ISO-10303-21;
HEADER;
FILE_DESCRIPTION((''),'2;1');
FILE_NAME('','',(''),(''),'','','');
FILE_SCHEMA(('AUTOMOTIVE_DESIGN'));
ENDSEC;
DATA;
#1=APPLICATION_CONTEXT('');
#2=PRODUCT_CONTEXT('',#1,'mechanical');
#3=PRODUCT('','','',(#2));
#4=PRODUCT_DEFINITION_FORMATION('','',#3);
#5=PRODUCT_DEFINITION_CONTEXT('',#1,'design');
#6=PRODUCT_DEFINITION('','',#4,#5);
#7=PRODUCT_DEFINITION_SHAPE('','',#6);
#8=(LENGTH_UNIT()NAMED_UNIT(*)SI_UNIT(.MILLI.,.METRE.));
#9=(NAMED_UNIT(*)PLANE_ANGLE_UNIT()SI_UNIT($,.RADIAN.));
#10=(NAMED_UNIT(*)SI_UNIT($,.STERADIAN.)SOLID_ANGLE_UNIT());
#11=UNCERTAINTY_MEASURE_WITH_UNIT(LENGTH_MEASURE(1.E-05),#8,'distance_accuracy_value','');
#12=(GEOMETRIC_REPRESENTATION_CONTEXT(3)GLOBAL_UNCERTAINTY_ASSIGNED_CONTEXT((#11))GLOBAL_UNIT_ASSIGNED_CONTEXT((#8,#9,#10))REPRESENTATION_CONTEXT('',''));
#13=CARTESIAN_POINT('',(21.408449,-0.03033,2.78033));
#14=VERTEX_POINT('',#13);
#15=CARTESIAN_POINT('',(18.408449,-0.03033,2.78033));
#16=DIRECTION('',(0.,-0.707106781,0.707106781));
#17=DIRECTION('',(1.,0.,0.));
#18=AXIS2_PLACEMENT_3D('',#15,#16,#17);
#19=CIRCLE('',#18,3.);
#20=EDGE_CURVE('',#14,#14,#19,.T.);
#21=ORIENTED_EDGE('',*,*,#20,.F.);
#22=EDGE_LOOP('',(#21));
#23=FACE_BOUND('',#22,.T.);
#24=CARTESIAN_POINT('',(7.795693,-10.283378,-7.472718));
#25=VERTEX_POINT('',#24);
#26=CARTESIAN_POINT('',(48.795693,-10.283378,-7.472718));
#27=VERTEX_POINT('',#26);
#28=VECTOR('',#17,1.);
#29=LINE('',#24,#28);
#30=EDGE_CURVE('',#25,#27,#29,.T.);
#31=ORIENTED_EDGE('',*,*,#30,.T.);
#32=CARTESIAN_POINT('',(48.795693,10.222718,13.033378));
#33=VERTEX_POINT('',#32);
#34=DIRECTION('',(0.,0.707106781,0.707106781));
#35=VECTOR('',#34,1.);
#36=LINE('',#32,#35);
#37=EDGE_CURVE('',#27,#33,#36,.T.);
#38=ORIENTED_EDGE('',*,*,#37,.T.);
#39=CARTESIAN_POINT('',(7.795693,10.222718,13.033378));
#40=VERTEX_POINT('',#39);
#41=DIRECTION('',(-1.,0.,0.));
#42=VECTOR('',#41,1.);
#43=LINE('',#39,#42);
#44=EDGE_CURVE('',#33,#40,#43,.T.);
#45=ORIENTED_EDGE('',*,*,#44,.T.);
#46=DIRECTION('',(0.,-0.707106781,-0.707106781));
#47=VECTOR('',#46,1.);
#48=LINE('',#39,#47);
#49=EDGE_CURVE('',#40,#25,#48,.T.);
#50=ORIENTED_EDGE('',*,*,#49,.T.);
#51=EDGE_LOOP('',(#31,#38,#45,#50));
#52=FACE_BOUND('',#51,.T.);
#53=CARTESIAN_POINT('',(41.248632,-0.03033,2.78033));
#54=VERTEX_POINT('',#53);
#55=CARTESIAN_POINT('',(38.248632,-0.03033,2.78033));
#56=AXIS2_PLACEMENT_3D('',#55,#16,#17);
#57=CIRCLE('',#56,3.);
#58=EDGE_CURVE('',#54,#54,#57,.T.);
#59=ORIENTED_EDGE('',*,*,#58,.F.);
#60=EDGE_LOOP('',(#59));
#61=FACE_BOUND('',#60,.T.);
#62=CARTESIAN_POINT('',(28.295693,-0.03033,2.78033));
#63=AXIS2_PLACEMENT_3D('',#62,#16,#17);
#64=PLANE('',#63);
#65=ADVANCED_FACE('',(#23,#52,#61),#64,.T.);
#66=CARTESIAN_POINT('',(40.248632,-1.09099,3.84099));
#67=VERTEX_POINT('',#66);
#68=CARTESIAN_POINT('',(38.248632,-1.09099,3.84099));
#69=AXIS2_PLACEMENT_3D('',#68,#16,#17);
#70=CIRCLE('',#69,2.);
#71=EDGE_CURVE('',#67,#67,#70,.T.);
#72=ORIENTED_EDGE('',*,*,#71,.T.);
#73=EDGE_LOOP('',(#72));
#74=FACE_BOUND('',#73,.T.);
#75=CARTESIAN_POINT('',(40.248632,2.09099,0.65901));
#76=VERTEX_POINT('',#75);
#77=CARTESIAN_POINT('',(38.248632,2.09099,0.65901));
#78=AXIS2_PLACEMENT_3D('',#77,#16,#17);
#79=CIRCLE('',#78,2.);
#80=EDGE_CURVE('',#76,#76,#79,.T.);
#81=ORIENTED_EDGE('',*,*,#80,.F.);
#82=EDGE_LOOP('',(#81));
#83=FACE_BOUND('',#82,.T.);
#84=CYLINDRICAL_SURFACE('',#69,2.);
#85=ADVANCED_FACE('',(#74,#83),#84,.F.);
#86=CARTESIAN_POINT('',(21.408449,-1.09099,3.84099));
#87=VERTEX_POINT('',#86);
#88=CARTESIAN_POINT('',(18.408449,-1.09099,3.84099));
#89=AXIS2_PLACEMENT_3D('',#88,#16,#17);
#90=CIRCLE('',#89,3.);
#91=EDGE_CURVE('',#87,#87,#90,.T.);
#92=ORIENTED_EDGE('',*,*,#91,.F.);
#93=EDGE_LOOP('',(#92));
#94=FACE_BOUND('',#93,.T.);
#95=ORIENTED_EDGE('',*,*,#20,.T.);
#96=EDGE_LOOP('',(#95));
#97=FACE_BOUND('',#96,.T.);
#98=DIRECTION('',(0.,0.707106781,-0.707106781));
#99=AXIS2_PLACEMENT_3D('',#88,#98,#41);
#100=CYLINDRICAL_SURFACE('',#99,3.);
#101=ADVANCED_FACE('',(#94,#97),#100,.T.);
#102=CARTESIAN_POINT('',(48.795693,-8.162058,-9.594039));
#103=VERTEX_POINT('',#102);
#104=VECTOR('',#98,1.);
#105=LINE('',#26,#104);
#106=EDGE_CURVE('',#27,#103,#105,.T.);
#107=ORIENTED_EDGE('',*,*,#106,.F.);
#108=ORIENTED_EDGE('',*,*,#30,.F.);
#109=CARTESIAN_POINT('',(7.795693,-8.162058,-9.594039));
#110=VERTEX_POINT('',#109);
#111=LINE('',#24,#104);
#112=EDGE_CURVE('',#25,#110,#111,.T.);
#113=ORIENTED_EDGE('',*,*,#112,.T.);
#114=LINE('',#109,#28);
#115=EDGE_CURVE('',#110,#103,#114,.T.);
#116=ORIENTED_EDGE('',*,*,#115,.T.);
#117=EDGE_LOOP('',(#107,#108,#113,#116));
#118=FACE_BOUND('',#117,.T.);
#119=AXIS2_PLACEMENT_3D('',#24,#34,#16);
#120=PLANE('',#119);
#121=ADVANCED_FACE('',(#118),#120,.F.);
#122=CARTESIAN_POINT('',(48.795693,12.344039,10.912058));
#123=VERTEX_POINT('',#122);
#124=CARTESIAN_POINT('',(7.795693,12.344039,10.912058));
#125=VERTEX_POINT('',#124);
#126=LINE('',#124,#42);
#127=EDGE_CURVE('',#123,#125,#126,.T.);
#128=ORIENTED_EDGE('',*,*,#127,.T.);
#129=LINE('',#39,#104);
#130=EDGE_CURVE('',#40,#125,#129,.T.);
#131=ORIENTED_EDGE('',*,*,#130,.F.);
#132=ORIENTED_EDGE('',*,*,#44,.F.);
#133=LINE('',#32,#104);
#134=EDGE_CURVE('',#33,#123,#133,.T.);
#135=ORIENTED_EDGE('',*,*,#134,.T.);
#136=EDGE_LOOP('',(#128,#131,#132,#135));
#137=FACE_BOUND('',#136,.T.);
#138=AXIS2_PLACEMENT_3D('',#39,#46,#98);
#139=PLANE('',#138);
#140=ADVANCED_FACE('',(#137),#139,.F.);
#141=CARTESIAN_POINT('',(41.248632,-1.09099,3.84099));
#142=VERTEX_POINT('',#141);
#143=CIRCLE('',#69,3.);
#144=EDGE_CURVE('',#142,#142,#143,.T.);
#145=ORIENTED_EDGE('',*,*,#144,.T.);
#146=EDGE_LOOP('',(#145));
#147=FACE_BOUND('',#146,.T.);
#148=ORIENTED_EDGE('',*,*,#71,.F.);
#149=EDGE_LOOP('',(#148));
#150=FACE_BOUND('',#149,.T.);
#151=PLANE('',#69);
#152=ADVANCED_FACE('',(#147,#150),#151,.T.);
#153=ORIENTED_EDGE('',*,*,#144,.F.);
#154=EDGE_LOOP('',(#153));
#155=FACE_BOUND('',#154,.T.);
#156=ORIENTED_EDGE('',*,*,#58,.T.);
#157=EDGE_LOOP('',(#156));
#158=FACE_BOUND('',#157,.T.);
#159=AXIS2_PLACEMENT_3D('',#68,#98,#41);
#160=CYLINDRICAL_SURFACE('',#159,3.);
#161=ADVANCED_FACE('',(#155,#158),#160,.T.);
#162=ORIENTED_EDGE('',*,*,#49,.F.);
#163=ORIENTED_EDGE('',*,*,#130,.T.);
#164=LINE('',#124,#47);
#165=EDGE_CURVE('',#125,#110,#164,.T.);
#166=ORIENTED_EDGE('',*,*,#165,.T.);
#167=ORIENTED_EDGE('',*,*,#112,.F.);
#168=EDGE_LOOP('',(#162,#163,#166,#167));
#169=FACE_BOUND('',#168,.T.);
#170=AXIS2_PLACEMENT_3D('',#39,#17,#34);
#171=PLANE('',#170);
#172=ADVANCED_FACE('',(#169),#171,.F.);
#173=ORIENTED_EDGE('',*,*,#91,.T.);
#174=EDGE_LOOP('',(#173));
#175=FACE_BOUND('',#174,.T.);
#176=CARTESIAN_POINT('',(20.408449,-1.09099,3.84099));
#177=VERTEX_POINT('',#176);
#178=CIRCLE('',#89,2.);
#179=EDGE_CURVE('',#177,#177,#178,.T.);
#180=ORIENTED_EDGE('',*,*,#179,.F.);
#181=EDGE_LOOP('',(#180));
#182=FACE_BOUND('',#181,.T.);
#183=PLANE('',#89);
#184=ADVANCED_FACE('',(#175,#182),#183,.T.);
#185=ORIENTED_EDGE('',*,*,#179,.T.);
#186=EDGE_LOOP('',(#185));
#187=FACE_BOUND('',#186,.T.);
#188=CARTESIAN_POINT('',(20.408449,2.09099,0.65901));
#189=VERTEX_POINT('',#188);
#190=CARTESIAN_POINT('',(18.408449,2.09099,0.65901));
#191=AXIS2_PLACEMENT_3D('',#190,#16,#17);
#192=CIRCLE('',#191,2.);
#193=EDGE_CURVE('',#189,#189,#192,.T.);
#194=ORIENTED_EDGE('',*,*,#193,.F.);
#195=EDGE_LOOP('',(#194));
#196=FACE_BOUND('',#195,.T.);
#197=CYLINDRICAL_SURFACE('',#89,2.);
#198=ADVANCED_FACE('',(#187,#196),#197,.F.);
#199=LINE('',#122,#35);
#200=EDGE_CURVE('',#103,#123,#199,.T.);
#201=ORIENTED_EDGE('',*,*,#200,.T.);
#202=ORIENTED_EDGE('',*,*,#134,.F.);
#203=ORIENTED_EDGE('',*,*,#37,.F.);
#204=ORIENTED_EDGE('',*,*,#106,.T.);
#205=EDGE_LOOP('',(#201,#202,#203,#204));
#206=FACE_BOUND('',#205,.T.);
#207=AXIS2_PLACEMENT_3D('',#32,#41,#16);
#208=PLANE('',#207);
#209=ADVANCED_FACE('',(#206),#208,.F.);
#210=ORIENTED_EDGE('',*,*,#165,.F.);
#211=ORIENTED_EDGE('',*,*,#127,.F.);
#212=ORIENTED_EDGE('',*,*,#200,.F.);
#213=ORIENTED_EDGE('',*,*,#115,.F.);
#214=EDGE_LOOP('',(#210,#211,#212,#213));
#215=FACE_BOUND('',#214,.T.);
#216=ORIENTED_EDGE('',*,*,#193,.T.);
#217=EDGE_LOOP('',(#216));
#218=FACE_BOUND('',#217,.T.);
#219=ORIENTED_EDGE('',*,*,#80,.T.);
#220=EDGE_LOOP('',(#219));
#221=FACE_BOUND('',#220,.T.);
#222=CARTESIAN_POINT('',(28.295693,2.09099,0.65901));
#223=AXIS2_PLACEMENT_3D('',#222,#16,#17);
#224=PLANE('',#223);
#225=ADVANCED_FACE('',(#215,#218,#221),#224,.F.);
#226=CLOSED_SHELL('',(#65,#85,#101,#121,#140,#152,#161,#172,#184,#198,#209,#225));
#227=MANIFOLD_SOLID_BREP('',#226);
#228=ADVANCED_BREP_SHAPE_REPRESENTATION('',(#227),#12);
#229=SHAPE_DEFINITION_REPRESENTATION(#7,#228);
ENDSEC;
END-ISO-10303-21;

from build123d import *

# Parameters (mm, degrees)
SKETCH1_W                = 41
SKETCH1_H                = 29
BOSS_EXTRUDE1_DEPTH      = 3
SKETCH11_R               = 3
BOSS_EXTRUDE2_DEPTH      = 1.5
F_4_0_4_DIAMETER_HOLE1_D = 4
BODY_MOVE_COPY9_ANGLE    = 45


with BuildPart() as part:
    # Sketch1 → Boss-Extrude1 (new body)
    with BuildSketch(Plane.XY):
        Rectangle(SKETCH1_W, SKETCH1_H)
    extrude(amount=BOSS_EXTRUDE1_DEPTH)


with BuildPart() as part_1:
    # Body-Move/Copy1: moved
    add(part.part.moved(Location((0.5, 0.5, 0))))

    # Sketch11 → Boss-Extrude2 (add)
    with BuildSketch(Plane.XY.offset(3)):
        with Locations((-9.387244392, 0.5)):
            Circle(SKETCH11_R)
        with Locations((10.452938647, 0.5)):
            Circle(SKETCH11_R)
    extrude(amount=BOSS_EXTRUDE2_DEPTH)

    # Ø4.0 (4) Diameter Hole1 (through all)
    with Locations(Plane.XY.offset(4.5)):
        with Locations((-9.387244392, 0.5), (10.452938647, 0.5)):
            Hole(F_4_0_4_DIAMETER_HOLE1_D / 2)


with BuildPart() as part_2:
    # Body-Move/Copy8: moved
    add(part_1.part.moved(Location((27.795693281, 0, 0))))


with BuildPart() as part_3:
    # Body-Move/Copy9: moved
    add(part_2.part.rotate(Axis((0, 0.5, 2.25), (1, 0, 0)), BODY_MOVE_COPY9_ANGLE))


solid = part_3.part
